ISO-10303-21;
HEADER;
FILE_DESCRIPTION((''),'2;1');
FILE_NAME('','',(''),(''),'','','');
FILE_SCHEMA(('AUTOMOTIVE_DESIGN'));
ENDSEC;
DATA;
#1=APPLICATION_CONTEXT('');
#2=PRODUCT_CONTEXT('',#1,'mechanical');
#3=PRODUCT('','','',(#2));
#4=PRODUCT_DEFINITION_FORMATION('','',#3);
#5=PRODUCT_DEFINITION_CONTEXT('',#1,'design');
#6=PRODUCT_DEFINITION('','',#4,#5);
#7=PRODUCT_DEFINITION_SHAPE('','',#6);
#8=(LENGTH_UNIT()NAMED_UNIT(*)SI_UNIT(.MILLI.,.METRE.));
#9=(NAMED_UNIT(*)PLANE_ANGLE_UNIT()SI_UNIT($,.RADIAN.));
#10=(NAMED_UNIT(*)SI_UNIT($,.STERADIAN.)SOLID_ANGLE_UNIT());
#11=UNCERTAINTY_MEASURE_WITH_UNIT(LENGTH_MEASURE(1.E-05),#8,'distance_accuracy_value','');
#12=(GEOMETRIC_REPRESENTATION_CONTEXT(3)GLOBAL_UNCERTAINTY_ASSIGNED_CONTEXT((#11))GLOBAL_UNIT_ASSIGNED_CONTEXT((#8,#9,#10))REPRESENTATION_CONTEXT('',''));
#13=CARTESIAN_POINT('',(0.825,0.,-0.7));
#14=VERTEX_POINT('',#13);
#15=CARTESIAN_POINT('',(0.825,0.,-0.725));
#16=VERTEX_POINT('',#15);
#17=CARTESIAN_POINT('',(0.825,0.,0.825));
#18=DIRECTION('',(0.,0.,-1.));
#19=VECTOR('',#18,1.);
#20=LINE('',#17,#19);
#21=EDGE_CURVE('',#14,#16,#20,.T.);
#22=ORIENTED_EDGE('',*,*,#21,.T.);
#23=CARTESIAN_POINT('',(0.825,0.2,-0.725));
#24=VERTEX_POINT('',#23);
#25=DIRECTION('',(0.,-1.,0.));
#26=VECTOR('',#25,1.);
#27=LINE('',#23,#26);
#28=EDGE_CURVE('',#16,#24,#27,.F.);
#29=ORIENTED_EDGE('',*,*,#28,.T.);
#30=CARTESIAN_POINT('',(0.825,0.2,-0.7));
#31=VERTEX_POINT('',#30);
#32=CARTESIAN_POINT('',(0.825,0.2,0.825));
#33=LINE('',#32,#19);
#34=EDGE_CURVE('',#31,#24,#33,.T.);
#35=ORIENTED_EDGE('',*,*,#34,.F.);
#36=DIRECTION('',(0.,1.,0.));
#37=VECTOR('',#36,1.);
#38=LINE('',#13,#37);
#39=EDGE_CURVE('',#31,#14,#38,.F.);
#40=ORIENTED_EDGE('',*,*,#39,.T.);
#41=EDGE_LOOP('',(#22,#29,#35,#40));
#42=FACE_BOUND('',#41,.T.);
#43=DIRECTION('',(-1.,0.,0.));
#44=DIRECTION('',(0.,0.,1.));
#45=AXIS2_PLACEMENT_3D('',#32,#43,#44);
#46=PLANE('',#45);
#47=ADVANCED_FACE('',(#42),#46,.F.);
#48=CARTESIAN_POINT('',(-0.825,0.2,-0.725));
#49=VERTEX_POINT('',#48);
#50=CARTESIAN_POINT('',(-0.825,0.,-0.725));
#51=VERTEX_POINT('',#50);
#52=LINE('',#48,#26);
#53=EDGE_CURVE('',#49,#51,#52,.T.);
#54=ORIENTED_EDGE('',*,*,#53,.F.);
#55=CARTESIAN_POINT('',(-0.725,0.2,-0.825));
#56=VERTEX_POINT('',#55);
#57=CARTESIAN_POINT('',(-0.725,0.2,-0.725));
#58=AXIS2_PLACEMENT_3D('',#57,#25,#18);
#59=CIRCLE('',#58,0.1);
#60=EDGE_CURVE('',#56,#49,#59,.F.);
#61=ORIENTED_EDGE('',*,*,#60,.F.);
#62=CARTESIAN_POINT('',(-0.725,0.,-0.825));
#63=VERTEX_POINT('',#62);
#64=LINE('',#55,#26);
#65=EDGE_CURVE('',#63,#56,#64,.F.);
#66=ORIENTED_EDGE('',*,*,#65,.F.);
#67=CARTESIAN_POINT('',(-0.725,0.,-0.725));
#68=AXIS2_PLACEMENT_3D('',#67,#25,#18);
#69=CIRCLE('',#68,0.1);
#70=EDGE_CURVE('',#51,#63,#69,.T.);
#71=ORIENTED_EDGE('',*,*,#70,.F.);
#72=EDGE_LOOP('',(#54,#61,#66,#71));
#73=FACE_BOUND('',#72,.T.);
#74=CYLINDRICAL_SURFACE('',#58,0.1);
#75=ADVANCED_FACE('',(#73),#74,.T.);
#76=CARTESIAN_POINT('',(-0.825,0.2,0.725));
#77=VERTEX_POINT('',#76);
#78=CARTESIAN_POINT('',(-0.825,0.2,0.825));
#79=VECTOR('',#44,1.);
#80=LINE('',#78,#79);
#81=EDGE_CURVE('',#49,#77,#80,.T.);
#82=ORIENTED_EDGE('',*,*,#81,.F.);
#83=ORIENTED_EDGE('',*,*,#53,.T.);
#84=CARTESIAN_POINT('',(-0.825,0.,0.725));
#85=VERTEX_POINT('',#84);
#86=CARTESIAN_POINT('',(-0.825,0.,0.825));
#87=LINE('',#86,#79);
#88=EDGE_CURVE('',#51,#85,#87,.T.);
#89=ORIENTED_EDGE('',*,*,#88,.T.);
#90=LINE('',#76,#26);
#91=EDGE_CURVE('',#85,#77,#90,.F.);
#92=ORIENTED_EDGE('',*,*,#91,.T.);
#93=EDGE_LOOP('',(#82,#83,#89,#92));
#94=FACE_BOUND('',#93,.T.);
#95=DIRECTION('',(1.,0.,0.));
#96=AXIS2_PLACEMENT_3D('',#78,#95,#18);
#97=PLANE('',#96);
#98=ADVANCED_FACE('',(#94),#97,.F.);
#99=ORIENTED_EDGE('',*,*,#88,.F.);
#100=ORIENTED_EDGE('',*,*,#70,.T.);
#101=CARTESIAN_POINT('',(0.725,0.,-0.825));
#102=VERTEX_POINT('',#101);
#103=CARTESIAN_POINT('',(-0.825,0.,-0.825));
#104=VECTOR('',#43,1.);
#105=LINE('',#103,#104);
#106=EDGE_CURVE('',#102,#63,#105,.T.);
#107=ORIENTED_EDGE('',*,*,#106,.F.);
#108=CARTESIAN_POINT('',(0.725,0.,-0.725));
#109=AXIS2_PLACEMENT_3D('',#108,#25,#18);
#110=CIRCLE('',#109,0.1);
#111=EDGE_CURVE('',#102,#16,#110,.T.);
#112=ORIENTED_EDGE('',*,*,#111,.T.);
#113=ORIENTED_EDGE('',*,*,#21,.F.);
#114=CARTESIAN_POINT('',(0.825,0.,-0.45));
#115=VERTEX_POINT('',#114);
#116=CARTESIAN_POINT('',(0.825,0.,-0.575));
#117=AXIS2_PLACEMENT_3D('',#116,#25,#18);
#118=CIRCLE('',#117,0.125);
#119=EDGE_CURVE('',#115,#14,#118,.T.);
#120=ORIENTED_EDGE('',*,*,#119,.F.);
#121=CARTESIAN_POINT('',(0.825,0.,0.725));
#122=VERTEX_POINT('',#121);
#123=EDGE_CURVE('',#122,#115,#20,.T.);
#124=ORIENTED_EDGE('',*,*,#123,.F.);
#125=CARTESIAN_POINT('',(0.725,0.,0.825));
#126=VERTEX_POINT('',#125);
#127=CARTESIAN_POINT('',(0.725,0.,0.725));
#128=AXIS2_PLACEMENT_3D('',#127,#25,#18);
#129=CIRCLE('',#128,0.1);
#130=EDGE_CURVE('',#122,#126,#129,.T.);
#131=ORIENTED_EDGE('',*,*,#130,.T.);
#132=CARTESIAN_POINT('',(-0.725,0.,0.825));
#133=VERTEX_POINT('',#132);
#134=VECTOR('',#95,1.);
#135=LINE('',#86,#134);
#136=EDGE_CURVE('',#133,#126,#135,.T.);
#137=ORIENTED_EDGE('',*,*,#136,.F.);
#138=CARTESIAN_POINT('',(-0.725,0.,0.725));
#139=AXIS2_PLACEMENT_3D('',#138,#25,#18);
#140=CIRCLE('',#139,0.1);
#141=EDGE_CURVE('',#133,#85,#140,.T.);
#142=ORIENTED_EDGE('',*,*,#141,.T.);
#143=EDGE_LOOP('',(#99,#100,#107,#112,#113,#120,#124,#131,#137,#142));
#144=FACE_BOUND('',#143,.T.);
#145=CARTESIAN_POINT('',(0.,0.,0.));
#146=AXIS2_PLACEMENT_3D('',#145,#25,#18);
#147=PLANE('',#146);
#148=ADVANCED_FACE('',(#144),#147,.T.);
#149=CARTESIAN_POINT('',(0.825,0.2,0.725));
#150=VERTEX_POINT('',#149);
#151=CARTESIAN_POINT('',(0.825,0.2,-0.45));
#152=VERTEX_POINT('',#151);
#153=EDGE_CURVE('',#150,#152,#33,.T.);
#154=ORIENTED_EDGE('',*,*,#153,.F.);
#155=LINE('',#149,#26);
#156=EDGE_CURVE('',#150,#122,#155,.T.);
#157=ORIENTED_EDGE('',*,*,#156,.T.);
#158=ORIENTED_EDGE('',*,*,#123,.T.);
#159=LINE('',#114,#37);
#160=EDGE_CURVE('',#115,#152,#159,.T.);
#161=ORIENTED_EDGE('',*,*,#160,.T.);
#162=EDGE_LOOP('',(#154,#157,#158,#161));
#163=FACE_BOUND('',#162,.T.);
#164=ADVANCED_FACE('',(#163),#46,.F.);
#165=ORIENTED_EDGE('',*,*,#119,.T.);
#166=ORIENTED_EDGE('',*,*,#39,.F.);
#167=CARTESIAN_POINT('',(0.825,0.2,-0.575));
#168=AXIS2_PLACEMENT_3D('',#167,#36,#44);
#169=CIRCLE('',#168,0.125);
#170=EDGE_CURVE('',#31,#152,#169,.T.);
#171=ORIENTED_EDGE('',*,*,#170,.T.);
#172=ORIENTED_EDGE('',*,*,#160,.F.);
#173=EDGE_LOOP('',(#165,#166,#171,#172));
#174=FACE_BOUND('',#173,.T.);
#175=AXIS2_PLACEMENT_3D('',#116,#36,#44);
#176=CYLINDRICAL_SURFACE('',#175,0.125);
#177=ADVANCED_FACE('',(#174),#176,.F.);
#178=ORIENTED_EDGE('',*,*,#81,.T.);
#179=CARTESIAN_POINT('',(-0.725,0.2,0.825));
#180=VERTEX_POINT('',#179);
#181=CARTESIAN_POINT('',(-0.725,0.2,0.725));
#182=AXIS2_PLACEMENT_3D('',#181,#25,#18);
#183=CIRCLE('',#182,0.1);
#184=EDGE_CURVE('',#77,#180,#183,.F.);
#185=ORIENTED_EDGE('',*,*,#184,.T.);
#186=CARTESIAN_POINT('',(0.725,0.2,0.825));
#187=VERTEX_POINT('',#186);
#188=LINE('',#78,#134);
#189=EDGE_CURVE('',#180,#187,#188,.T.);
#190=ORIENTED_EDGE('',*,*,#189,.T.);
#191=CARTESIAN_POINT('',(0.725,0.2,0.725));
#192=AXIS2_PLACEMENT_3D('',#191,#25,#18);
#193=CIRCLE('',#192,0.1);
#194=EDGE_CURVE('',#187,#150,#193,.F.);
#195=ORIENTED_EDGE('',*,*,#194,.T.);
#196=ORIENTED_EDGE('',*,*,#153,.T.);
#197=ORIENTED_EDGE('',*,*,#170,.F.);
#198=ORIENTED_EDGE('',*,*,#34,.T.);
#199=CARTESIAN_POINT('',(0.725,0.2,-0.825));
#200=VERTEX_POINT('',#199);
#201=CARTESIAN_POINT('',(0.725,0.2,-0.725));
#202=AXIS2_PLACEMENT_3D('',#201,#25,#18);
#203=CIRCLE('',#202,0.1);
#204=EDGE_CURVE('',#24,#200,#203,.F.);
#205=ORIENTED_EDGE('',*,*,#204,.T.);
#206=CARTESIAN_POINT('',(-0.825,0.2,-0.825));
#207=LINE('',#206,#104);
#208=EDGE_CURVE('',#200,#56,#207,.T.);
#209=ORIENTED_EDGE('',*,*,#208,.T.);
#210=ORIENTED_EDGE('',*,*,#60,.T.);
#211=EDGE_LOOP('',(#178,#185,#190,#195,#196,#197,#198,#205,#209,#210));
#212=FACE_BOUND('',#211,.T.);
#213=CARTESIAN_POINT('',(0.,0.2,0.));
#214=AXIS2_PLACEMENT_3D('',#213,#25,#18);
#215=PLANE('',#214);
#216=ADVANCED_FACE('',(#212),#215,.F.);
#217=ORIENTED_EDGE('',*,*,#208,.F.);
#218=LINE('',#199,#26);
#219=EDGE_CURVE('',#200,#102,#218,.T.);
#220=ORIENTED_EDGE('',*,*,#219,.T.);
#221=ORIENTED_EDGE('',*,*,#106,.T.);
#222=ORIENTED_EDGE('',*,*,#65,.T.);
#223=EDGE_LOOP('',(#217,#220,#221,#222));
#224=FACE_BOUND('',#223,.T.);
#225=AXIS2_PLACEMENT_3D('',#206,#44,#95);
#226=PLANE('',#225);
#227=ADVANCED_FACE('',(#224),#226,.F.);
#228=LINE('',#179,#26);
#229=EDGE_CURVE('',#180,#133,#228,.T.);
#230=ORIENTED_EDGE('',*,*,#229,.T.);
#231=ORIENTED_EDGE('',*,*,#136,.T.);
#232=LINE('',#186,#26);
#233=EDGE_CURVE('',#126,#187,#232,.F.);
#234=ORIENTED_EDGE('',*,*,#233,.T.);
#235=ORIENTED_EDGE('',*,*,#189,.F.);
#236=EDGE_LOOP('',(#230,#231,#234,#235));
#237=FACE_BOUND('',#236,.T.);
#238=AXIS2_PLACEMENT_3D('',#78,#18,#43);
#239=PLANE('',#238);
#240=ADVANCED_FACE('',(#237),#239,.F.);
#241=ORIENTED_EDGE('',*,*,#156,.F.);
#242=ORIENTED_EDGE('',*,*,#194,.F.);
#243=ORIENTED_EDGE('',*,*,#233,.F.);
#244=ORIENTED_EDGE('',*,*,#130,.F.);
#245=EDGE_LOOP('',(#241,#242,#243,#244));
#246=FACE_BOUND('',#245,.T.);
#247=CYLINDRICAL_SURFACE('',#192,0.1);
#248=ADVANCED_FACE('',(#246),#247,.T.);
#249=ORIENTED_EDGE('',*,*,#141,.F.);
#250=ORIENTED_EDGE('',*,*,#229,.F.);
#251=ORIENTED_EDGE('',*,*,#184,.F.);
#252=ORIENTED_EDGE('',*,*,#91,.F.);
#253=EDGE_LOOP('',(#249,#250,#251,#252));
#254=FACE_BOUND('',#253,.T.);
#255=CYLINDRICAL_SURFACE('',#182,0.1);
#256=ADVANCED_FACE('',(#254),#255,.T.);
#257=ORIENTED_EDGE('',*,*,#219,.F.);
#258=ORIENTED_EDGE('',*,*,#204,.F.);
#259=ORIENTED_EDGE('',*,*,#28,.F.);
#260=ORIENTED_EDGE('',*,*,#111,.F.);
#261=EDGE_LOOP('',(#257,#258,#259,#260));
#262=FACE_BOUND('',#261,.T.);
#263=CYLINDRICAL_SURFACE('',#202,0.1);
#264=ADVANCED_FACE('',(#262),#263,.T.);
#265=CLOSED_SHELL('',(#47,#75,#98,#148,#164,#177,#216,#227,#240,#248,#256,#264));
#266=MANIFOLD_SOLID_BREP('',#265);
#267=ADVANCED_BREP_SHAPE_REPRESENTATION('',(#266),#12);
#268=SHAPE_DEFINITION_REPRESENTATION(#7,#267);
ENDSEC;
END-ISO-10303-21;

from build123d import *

# Parameters (mm, degrees)
SKETCH1_W           = 1.65
SKETCH1_H           = 1.65
BOSS_EXTRUDE1_DEPTH = 0.2
FILLET1_R           = 0.1
SKETCH2_R           = 0.125
CUT_EXTRUDE1_DEPTH  = 1.2


with BuildPart() as part:
    # Sketch1 → Boss-Extrude1 (new body)
    with BuildSketch(Plane(origin=(0, 0, 0), x_dir=(1, 0, 0), z_dir=(0, 1, 0))):
        Rectangle(SKETCH1_W, SKETCH1_H)
    extrude(amount=BOSS_EXTRUDE1_DEPTH)

    # Fillet1
    fillet1_edges = [part.edges().sort_by_distance(p)[0] for p in [
        (0.825, 0.1, 0.825),
        (-0.825, 0.1, 0.825),
        (-0.825, 0.1, -0.825),
        (0.825, 0.1, -0.825),
    ]]
    fillet(fillet1_edges, radius=FILLET1_R)

    # Sketch2 → Cut-Extrude1 (cut, through all)
    with BuildSketch(Plane(origin=(0, 0.2, 0), x_dir=(1, 0, 0), z_dir=(0, 1, 0))):
        with Locations((0.825, 0.575)):
            Circle(SKETCH2_R)
    extrude(amount=-CUT_EXTRUDE1_DEPTH, mode=Mode.SUBTRACT)


solid = part.part
